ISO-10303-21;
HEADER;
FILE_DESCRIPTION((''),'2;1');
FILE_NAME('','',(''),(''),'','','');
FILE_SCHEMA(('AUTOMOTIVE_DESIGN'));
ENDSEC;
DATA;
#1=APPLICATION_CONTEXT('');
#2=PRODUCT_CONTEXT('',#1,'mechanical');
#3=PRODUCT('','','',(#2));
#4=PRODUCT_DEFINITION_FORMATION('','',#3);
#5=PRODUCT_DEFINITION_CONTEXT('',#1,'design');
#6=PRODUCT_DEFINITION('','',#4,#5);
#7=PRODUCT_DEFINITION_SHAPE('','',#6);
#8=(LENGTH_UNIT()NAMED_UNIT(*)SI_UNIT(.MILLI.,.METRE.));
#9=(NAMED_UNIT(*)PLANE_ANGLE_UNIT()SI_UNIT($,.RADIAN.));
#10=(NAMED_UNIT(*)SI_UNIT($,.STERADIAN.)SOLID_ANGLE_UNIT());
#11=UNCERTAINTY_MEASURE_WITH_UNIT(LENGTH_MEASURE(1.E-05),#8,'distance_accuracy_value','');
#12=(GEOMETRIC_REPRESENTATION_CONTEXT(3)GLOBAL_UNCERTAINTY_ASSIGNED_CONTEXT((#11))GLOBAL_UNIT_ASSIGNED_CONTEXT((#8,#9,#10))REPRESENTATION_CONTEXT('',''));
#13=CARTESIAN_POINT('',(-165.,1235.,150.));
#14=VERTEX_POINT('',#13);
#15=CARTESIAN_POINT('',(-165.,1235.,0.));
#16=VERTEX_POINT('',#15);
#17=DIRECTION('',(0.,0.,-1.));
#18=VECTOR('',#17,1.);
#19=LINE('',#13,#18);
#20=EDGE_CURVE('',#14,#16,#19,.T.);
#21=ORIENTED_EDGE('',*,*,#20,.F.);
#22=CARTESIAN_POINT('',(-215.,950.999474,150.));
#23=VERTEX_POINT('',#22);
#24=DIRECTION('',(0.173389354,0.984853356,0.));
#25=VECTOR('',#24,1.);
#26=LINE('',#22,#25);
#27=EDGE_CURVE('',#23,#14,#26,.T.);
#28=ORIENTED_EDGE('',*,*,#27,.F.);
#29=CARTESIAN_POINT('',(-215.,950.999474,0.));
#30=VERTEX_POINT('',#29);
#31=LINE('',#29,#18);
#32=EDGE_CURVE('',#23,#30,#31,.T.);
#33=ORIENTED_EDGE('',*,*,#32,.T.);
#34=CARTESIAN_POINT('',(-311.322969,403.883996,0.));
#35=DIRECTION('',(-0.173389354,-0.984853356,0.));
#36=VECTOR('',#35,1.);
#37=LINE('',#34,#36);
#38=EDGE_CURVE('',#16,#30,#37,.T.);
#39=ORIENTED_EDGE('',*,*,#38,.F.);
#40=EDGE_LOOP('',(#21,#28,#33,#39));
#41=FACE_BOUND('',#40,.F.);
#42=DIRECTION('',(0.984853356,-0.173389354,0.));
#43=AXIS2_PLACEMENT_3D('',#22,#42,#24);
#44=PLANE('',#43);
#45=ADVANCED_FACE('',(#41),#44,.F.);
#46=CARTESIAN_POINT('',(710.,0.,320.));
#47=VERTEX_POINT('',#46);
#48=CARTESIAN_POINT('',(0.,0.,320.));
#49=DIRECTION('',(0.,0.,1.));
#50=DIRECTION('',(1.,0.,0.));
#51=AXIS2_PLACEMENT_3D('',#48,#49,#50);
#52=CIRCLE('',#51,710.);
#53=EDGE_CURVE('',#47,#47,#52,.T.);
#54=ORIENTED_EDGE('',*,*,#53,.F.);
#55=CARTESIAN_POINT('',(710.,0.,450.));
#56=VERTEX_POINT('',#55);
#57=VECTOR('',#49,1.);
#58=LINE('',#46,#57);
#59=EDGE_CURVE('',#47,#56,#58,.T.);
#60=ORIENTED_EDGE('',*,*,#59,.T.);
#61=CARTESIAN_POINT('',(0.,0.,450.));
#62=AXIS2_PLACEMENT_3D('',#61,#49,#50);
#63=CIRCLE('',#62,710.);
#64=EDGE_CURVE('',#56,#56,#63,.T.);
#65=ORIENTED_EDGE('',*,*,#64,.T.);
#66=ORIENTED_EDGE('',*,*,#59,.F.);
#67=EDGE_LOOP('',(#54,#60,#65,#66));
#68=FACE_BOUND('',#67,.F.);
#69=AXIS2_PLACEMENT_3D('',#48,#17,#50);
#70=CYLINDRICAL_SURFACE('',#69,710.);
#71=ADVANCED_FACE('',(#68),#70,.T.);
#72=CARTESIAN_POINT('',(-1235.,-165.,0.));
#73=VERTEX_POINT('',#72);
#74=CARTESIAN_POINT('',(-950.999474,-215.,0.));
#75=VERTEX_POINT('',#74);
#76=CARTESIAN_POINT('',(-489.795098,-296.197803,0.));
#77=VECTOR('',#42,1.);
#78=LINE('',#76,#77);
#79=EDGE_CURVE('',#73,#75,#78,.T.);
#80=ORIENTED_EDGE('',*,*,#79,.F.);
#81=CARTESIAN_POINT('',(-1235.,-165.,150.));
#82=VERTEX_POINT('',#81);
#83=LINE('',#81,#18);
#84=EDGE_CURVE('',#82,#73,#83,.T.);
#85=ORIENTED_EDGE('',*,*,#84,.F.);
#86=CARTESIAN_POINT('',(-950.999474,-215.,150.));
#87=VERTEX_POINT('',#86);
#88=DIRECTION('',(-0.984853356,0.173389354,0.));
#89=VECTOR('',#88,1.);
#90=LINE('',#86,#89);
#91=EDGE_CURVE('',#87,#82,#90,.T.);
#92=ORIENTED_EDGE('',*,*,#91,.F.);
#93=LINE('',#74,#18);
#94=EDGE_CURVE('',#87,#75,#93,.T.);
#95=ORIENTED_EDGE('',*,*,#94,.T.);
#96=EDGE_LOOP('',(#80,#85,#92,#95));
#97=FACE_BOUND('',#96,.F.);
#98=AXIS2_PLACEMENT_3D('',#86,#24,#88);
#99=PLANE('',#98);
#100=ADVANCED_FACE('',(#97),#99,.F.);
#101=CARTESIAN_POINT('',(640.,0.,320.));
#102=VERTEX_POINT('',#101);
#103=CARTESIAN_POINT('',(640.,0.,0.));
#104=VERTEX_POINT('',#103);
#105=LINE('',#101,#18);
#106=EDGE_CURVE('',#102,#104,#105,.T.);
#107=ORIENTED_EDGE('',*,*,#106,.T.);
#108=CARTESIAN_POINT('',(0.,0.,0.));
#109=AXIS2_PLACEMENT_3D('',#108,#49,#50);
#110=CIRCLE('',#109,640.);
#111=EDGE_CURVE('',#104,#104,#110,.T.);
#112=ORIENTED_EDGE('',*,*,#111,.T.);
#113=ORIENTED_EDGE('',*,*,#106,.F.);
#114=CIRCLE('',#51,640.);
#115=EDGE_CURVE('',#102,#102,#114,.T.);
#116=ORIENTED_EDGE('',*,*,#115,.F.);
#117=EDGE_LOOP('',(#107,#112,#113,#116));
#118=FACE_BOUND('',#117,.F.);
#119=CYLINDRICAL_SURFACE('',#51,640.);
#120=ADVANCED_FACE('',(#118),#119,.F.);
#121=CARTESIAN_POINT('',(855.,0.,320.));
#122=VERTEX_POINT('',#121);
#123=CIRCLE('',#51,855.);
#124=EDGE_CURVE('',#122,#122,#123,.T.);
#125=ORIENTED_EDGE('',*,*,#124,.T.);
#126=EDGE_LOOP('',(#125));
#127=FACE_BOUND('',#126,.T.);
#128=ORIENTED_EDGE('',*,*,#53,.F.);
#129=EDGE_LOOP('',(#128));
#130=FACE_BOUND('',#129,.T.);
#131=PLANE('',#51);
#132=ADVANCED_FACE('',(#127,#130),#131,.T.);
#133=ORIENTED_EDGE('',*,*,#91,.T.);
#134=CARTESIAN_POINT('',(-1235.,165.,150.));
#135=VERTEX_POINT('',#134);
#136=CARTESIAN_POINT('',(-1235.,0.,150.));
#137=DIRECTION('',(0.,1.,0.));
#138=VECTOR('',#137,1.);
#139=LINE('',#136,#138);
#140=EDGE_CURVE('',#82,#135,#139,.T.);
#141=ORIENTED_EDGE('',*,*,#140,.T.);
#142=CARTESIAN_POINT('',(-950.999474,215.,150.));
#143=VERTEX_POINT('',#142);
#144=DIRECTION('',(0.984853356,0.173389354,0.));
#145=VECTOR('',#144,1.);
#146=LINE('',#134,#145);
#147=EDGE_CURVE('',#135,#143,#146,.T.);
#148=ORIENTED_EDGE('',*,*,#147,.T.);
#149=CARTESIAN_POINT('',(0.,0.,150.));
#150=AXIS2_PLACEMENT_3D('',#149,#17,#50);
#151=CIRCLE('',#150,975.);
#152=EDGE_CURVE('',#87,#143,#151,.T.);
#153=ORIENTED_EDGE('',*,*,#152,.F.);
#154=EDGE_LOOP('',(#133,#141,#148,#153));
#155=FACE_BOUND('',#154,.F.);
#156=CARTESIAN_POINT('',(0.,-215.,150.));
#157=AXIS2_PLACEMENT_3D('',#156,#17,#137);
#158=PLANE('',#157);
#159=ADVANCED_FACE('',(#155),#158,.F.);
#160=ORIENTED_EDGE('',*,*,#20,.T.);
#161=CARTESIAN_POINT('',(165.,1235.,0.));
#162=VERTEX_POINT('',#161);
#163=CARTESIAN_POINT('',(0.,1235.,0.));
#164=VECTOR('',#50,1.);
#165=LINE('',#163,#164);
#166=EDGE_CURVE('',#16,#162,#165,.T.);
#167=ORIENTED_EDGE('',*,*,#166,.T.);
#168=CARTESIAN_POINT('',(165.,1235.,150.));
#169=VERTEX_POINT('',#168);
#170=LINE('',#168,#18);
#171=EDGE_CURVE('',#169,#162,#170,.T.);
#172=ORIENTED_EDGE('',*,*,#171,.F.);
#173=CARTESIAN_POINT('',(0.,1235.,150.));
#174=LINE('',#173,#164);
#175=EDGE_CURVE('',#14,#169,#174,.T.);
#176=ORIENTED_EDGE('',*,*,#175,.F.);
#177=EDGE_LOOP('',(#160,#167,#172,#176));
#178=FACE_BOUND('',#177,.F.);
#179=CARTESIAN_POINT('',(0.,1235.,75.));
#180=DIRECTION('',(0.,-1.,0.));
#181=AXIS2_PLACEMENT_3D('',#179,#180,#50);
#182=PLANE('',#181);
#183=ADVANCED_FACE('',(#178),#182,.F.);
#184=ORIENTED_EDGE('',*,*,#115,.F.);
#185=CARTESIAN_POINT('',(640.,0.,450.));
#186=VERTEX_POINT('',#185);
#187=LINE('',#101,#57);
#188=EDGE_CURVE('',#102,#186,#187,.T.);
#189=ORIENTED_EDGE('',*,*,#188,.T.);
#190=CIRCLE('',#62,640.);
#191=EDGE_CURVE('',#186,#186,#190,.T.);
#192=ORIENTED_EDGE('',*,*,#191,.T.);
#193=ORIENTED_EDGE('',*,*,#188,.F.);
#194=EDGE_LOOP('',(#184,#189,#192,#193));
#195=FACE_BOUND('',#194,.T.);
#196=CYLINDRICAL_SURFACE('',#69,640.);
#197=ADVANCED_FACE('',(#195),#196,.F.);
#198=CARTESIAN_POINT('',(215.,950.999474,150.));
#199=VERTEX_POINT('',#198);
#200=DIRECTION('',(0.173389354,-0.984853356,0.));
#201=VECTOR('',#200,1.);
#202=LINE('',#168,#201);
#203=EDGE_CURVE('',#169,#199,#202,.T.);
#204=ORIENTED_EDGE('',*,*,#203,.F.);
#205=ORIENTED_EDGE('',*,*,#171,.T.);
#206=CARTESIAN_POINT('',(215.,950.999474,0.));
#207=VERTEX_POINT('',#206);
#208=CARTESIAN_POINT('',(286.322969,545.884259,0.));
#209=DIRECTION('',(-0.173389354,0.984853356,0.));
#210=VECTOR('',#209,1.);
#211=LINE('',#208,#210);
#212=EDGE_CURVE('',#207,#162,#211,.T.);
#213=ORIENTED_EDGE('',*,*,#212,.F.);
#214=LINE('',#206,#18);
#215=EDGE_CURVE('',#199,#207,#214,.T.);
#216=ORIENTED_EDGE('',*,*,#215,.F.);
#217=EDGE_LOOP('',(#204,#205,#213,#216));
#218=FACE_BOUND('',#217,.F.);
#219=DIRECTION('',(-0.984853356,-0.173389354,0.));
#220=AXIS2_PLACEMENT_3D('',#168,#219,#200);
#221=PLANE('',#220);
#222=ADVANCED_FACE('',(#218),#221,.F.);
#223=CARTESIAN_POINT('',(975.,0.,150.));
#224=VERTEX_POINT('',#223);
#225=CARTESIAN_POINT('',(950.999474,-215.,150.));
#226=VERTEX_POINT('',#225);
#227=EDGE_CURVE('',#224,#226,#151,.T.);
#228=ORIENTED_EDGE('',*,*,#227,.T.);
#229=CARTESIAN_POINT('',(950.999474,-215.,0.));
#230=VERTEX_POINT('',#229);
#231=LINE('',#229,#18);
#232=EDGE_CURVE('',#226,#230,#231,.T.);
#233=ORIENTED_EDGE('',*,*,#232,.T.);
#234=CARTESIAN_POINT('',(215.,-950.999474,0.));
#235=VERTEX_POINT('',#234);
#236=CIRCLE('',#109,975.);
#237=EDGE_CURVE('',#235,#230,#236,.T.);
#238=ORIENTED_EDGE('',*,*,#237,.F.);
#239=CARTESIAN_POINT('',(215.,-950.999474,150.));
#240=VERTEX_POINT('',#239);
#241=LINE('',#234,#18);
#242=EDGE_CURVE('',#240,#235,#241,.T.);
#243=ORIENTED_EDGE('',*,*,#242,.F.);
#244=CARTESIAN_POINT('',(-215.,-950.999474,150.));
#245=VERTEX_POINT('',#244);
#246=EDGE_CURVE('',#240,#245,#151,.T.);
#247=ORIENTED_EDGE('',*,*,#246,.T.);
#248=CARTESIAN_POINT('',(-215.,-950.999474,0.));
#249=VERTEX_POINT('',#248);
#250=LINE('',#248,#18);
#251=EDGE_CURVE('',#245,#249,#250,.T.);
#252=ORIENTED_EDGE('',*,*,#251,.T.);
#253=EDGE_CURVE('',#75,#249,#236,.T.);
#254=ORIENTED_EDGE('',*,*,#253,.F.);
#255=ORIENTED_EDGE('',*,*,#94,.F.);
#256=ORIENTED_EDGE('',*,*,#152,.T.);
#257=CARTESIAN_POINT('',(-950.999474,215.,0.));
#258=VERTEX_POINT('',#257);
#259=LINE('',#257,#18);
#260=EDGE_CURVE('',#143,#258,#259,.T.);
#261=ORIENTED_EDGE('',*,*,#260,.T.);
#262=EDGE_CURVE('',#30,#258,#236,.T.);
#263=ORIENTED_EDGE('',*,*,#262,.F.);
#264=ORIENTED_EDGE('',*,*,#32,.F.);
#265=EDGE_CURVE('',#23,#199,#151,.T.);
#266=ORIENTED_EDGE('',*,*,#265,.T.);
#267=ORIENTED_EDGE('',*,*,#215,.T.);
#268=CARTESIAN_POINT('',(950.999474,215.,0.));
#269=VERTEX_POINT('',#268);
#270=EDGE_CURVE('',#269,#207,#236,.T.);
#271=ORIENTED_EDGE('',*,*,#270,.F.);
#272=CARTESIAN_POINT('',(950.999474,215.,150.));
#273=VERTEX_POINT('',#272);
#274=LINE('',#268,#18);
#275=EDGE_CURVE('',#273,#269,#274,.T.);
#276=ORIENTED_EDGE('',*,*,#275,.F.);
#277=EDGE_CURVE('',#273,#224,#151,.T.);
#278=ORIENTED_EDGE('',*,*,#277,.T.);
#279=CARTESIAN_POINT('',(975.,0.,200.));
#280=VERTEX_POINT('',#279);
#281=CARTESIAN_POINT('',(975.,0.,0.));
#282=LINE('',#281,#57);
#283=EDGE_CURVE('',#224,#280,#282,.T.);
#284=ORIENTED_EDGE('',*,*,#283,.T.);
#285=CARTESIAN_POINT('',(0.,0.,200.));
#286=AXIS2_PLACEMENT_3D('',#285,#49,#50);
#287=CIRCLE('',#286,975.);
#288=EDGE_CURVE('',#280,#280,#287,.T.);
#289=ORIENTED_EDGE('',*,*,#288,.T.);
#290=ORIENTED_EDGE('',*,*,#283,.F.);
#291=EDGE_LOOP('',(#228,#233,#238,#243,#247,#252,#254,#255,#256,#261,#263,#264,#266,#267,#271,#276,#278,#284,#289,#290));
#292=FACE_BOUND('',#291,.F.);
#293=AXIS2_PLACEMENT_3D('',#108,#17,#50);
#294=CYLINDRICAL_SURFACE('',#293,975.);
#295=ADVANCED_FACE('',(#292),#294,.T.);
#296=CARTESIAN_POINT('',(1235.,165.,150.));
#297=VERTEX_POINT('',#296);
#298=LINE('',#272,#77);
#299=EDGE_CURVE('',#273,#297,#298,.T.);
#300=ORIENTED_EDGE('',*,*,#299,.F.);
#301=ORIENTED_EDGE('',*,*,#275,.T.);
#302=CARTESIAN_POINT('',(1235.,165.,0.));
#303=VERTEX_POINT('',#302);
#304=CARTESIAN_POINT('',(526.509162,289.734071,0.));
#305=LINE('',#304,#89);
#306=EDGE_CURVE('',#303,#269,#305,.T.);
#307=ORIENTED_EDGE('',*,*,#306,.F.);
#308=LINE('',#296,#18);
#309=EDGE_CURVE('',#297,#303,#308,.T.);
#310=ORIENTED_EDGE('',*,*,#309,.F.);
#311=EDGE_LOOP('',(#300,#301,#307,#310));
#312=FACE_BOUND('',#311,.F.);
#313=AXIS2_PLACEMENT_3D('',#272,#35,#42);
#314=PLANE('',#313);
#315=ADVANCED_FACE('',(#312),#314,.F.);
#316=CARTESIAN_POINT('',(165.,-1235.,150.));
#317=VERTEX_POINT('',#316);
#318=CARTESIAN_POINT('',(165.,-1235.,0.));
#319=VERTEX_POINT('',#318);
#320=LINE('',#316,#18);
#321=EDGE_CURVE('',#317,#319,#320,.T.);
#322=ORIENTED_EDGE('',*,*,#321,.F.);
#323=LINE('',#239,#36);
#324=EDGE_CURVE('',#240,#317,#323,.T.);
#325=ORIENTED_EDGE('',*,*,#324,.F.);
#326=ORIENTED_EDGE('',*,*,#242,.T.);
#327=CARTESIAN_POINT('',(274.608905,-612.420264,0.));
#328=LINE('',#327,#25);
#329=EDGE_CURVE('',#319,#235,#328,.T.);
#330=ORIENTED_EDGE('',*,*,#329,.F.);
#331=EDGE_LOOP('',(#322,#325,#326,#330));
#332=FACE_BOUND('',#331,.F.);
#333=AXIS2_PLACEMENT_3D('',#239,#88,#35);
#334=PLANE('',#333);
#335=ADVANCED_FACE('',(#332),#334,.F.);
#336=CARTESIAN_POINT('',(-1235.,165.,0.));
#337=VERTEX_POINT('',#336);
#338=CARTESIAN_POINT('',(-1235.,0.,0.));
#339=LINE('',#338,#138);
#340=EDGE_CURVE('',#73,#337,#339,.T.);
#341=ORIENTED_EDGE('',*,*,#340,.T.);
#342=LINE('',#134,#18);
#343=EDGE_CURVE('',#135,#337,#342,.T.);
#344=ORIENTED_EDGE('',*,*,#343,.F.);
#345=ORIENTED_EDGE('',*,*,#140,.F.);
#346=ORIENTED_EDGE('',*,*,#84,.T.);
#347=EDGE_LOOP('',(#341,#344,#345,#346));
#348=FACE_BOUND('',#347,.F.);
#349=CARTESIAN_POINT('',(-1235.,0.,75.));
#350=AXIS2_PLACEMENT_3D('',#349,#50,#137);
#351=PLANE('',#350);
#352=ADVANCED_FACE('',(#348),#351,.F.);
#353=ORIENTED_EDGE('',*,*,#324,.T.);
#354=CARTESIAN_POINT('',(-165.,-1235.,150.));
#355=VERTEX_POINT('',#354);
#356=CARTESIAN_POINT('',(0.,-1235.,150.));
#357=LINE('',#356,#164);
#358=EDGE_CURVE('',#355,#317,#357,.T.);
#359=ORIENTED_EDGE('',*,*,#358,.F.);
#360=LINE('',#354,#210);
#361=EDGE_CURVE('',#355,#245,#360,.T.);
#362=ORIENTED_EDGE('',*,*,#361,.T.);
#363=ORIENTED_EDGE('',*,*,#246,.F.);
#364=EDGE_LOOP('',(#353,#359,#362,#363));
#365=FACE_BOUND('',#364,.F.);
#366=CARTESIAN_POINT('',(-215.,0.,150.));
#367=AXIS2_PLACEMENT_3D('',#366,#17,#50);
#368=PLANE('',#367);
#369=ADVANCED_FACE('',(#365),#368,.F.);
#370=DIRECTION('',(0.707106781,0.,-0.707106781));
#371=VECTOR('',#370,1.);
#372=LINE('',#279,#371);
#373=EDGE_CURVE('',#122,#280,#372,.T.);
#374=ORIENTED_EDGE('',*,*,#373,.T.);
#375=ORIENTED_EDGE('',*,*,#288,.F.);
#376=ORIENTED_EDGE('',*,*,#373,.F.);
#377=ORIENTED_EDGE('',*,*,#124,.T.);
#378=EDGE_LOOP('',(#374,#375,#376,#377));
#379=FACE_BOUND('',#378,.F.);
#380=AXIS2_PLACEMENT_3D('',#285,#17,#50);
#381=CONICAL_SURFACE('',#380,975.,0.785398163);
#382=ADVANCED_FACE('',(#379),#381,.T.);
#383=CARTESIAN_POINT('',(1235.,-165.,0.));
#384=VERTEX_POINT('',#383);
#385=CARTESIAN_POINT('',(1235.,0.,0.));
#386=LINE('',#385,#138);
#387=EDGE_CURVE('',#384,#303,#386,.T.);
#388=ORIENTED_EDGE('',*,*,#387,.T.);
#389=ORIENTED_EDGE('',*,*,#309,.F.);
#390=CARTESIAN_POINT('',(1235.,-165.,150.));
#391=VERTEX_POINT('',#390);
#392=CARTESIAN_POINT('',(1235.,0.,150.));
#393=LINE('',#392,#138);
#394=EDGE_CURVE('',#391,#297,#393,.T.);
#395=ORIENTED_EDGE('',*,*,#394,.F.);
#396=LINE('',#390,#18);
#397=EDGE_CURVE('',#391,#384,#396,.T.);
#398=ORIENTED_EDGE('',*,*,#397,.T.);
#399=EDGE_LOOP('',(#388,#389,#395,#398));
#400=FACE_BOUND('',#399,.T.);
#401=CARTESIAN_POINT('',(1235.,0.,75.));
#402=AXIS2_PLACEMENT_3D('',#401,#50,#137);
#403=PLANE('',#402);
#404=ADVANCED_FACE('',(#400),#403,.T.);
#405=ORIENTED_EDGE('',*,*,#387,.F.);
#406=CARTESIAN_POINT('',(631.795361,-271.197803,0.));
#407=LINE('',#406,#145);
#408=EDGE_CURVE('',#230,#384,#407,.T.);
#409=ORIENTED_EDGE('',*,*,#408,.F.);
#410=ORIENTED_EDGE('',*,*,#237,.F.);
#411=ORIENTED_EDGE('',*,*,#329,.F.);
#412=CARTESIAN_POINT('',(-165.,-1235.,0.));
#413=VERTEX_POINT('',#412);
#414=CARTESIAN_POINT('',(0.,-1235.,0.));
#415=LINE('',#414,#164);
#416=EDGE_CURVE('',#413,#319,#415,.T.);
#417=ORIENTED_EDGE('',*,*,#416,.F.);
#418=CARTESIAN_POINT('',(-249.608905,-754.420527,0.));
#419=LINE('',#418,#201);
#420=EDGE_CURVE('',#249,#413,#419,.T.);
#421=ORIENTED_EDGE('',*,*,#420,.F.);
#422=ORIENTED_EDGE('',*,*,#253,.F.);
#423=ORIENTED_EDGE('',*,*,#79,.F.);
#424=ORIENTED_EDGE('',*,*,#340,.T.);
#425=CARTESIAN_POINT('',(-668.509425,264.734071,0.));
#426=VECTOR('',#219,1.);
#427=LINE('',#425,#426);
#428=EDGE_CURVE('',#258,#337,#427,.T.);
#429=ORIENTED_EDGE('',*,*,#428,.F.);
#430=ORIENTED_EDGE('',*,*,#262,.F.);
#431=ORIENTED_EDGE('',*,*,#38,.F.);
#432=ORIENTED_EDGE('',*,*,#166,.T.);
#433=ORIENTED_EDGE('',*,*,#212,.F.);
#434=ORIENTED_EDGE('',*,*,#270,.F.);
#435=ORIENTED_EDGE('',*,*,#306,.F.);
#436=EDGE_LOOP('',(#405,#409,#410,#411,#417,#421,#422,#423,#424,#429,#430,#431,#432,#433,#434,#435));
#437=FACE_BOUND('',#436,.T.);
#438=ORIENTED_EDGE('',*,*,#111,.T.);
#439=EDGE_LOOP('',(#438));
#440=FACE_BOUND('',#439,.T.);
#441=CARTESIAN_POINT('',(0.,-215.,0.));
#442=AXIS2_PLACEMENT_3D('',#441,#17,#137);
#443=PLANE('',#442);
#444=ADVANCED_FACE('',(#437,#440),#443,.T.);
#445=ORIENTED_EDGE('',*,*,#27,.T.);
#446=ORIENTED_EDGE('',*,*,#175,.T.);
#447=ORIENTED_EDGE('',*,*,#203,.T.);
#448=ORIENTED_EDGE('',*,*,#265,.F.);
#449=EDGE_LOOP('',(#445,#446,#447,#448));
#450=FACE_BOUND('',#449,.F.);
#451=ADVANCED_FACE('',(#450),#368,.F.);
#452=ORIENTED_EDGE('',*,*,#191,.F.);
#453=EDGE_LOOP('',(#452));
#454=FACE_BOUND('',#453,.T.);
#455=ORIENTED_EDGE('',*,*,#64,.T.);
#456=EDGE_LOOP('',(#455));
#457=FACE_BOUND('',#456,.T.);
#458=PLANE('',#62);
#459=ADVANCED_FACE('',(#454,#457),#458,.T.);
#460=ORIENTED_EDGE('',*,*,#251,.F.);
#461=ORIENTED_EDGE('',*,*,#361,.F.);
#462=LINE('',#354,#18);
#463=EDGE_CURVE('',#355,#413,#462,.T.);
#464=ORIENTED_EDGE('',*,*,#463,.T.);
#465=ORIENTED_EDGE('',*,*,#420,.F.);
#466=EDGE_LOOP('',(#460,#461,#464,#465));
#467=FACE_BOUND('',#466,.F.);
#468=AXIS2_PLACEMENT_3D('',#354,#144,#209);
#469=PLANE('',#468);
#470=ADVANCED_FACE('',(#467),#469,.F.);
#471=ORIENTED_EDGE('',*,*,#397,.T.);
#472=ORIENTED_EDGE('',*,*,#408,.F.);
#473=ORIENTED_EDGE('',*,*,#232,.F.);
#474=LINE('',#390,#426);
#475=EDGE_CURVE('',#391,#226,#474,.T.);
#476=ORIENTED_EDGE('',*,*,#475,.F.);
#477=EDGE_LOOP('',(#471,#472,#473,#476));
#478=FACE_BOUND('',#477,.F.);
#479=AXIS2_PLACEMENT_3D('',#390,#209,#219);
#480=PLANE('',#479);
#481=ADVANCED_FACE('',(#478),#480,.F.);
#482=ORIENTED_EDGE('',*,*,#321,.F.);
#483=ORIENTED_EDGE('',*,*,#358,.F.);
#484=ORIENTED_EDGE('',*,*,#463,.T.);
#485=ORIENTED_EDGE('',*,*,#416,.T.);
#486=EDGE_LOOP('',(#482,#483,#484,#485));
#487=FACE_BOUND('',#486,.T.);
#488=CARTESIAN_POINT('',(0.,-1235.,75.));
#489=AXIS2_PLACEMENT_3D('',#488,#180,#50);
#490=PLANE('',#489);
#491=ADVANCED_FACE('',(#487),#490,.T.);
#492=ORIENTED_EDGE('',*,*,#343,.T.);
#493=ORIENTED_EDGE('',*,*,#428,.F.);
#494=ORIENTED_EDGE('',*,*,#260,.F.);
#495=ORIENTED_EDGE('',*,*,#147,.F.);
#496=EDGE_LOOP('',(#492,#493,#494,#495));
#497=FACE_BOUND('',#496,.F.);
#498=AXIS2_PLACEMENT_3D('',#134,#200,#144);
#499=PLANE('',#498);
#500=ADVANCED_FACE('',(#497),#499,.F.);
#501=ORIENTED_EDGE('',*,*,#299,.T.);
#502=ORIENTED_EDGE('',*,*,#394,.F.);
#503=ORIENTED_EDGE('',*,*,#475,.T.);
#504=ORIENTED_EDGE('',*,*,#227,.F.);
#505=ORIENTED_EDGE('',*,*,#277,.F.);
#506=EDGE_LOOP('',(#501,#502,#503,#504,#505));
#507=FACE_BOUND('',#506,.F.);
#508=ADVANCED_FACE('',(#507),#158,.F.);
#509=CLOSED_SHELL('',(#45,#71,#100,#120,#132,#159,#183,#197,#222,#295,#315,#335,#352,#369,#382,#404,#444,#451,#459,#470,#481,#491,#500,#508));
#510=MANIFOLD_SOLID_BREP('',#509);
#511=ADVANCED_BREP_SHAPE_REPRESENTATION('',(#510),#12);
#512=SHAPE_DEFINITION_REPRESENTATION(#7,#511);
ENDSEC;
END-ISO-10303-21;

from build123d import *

# Parameters (mm, degrees)
F0_R      = 975
F1_DEPTH  = 320
F3_R      = 640
F4_DEPTH  = 320.001
F5_W      = 430
F5_H      = 150
F6_DEPTH  = 1235
F7_W      = 430
F7_H      = 150
F8_DEPTH  = 1235
F10_DEPTH = 150.001
F12_DEPTH = 150.001
F14_DEPTH = 150.001
F16_DEPTH = 150.001
F18_R     = 640
F19_DEPTH = 150.001
F20_R     = 710
F20_R_2   = 640
F21_DEPTH = 130
F22_SIZE  = 120


with BuildPart() as f1:
    # F0 (on Top) → F1 (new body)
    with BuildSketch(Plane.XY):
        Circle(F0_R)
    extrude(amount=F1_DEPTH)

    # F3 (on face) → F4 (cut, through all)
    with BuildSketch(Plane.XY.offset(320)):
        Circle(F3_R)
    extrude(amount=-F4_DEPTH, mode=Mode.SUBTRACT)

    # F5 (on Front) → F6 (join, symmetric)
    with BuildSketch(Plane.XZ):
        with Locations((0, 75)):
            Rectangle(F5_W, F5_H)
    extrude(amount=F6_DEPTH, both=True)

    # F7 (on Right) → F8 (join, symmetric)
    with BuildSketch(Plane.YZ):
        with Locations((0, 75)):
            Rectangle(F7_W, F7_H)
    extrude(amount=F8_DEPTH, both=True)

    # F9 (on face) → F10 (cut, through all)
    with BuildSketch(Plane.XY.offset(150)):
        Polygon((1235, -165), (950.999474, -215), (1235, -215), align=None)
        Polygon((950.999474, 215), (1235, 165), (1235, 215), align=None)
    extrude(amount=-F10_DEPTH, mode=Mode.SUBTRACT)

    # F11 (on face) → F12 (cut, through all)
    with BuildSketch(Plane.XY.offset(150)):
        Polygon((-165, -1235), (-215, -950.999474), (-215, -1235), align=None)
        Polygon((215, -950.999474), (165, -1235), (215, -1235), align=None)
    extrude(amount=-F12_DEPTH, mode=Mode.SUBTRACT)

    # F13 (on face) → F14 (cut, through all)
    with BuildSketch(Plane.XY.offset(150)):
        Polygon((215, 1235), (165, 1235), (215, 950.999474), align=None)
        Polygon((-215, 1235), (-215, 950.999474), (-165, 1235), align=None)
    extrude(amount=-F14_DEPTH, mode=Mode.SUBTRACT)

    # F15 (on face) → F16 (cut, through all)
    with BuildSketch(Plane.XY.offset(150)):
        Polygon((-1235, 165), (-950.999474, 215), (-1235, 215), align=None)
        Polygon((-950.999474, -215), (-1235, -165), (-1235, -215), align=None)
    extrude(amount=-F16_DEPTH, mode=Mode.SUBTRACT)

    # F18 (on face) → F19 (cut, through all)
    with BuildSketch(Plane.XY.offset(150)):
        Circle(F18_R)
    extrude(amount=-F19_DEPTH, mode=Mode.SUBTRACT)

    # F20 (on face) → F21 (join)
    with BuildSketch(Plane.XY.offset(320)):
        Circle(F20_R)
        Circle(F20_R_2, mode=Mode.SUBTRACT)
    extrude(amount=F21_DEPTH)

    # F22
    f22_edges = [f1.edges().sort_by_distance(p)[0] for p in [
        (-975, 0, 320),
    ]]
    chamfer(f22_edges, length=F22_SIZE)


solid = f1.part
